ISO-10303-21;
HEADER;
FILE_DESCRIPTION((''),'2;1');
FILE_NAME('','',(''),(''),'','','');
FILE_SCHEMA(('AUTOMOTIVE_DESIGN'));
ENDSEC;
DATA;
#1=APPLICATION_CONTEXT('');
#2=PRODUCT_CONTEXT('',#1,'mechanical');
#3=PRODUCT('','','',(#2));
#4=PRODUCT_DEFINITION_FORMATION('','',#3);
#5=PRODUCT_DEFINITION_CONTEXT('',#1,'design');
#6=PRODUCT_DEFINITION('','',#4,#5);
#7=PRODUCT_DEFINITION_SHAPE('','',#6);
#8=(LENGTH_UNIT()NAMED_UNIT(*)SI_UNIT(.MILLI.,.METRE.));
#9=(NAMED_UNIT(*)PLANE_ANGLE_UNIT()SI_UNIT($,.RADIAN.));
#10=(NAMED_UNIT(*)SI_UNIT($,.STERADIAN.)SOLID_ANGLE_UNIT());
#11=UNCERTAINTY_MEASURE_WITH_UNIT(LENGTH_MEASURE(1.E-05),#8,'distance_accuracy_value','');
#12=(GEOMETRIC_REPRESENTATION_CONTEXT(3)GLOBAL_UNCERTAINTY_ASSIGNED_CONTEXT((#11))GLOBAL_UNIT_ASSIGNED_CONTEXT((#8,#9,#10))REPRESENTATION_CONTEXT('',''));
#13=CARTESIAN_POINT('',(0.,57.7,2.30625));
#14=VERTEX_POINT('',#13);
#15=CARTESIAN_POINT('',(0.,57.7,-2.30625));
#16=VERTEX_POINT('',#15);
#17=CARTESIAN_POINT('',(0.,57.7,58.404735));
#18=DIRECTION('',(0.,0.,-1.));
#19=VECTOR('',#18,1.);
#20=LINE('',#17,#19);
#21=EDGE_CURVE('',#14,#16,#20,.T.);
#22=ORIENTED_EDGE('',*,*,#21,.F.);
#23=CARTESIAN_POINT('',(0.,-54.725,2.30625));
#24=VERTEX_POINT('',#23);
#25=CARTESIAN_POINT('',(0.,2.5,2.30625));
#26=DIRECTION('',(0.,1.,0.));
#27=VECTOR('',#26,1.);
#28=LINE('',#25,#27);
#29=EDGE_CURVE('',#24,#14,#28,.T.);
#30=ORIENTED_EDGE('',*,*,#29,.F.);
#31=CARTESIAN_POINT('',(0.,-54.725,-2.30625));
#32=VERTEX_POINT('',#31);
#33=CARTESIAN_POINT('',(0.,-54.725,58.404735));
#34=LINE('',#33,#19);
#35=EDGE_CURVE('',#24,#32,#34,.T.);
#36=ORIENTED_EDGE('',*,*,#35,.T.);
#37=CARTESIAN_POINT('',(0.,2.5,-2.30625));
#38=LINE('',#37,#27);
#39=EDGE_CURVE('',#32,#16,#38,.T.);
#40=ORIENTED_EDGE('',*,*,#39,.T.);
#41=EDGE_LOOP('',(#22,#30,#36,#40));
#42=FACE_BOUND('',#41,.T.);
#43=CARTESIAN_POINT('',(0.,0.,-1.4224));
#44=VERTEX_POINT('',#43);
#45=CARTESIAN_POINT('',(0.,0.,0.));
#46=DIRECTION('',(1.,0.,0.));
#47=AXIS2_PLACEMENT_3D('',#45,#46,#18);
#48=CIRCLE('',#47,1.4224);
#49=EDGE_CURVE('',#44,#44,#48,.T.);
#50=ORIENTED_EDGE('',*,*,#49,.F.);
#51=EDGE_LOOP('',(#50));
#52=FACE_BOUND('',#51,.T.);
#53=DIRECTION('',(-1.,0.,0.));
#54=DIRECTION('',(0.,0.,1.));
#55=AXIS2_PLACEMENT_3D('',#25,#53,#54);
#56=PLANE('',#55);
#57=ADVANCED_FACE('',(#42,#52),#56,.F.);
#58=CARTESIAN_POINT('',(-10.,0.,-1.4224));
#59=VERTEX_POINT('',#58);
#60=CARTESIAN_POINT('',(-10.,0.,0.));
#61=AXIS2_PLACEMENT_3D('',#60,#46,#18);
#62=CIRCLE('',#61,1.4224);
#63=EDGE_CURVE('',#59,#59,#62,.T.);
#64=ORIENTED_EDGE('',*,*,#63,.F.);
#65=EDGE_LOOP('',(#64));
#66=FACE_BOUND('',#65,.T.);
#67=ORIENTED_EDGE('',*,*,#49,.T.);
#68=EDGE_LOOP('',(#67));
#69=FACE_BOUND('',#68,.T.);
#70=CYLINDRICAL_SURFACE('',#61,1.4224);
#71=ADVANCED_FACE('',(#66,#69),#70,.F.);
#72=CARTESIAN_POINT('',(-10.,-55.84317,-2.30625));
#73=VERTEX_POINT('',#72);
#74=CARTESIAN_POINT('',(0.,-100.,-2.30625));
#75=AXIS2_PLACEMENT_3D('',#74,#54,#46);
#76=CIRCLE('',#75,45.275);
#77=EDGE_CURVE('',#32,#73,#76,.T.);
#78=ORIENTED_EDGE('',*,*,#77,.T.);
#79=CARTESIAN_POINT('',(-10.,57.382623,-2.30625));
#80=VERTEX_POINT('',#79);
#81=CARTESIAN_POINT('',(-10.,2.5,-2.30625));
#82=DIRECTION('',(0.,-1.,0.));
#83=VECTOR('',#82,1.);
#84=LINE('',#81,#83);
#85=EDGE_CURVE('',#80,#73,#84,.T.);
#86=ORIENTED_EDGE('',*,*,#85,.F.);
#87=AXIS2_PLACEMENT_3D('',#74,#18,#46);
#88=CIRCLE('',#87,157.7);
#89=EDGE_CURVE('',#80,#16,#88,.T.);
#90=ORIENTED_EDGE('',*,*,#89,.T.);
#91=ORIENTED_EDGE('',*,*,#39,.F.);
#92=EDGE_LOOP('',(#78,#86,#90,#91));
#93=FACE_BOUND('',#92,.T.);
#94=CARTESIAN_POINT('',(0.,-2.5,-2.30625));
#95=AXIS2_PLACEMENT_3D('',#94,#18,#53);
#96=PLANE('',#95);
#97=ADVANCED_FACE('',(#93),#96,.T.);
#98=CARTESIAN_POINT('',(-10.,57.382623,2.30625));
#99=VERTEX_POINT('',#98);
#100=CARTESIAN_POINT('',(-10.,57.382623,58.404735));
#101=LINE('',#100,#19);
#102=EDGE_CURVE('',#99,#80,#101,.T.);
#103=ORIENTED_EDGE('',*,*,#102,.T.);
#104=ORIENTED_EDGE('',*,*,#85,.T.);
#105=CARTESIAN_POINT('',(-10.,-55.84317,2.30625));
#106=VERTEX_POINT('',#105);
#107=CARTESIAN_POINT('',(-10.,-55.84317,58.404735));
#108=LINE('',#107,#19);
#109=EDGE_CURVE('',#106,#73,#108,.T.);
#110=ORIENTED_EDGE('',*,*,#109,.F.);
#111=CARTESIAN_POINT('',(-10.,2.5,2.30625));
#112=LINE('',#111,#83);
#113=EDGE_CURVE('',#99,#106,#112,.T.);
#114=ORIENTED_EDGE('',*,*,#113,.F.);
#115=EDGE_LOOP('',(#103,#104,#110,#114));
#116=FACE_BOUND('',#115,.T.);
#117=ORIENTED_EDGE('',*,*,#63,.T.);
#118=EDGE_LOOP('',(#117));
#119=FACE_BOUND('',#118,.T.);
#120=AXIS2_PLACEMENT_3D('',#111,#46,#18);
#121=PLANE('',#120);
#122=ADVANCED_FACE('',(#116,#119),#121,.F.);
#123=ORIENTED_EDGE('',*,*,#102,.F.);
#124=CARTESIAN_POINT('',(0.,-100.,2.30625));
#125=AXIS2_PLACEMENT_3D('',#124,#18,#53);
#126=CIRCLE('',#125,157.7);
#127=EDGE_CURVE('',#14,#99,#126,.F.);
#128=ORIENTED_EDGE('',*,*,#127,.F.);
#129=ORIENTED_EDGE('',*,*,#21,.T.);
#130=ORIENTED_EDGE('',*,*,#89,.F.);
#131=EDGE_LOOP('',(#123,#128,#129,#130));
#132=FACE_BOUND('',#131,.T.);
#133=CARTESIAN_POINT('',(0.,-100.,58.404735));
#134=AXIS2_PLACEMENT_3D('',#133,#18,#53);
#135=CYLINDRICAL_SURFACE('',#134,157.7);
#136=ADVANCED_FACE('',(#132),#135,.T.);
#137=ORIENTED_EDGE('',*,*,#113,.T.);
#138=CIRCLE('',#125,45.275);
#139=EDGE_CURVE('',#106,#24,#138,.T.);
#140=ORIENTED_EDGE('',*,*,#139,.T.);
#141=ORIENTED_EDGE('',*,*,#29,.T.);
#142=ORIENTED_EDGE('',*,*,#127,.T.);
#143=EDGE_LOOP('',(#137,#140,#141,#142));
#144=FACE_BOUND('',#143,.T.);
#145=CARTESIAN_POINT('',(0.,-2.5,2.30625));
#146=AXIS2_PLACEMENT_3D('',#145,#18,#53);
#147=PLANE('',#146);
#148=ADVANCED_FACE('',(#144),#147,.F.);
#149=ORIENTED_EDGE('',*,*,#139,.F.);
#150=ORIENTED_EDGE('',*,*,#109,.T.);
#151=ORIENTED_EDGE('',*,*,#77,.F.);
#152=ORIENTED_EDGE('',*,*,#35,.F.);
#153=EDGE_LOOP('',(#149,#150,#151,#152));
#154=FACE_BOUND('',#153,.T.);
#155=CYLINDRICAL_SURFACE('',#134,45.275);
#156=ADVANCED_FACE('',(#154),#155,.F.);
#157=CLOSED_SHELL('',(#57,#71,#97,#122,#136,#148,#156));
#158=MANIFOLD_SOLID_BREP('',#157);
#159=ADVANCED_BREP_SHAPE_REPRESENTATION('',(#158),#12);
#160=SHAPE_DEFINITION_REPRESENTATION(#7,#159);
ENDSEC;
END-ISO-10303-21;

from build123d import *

# Parameters (mm, degrees)
SKETCH1_W           = 10
SKETCH1_H           = 5
EXTRUDE1_DEPTH      = 2.30625
SKETCH2_R           = 1.4224
EXTRUDE2_DEPTH      = 11
BOSS_EXTRUDE1_DEPTH = 4.6125


with BuildPart() as part:
    # Sketch1 → Extrude1 (new body, symmetric)
    with BuildSketch(Plane.XY):
        with Locations((-5, 0)):
            Rectangle(SKETCH1_W, SKETCH1_H)
    extrude(amount=EXTRUDE1_DEPTH, both=True)

    # Sketch2 → Extrude2 (cut, through all)
    with BuildSketch(Plane(origin=(0, 0, 0), x_dir=(0, 0, -1), z_dir=(1, 0, 0))):
        Circle(SKETCH2_R)
    extrude(amount=-EXTRUDE2_DEPTH, mode=Mode.SUBTRACT)

    # Sketch3 → Boss-Extrude1 (add)
    with BuildSketch(Plane(origin=(0, 0, -2.30625), x_dir=(-1, 0, 0), z_dir=(0, 0, -1))):
        with BuildLine():
            Line((10, 57.382622929), (10, 2.5))
            Line((10, 2.5), (0, 2.5))
            Line((0, 2.5), (0, 57.7))
            ThreePointArc((0, 57.7), (5.002517571, 57.620635762), (10, 57.382622929))
        make_face()
        with BuildLine():
            Line((0, -54.725), (0, -2.5))
            Line((0, -2.5), (10, -2.5))
            Line((10, -2.5), (10, -55.843170121))
            ThreePointArc((10, -55.843170121), (5.031160513, -55.005410893), (0, -54.725))
        make_face()
    extrude(amount=-BOSS_EXTRUDE1_DEPTH)


solid = part.part
